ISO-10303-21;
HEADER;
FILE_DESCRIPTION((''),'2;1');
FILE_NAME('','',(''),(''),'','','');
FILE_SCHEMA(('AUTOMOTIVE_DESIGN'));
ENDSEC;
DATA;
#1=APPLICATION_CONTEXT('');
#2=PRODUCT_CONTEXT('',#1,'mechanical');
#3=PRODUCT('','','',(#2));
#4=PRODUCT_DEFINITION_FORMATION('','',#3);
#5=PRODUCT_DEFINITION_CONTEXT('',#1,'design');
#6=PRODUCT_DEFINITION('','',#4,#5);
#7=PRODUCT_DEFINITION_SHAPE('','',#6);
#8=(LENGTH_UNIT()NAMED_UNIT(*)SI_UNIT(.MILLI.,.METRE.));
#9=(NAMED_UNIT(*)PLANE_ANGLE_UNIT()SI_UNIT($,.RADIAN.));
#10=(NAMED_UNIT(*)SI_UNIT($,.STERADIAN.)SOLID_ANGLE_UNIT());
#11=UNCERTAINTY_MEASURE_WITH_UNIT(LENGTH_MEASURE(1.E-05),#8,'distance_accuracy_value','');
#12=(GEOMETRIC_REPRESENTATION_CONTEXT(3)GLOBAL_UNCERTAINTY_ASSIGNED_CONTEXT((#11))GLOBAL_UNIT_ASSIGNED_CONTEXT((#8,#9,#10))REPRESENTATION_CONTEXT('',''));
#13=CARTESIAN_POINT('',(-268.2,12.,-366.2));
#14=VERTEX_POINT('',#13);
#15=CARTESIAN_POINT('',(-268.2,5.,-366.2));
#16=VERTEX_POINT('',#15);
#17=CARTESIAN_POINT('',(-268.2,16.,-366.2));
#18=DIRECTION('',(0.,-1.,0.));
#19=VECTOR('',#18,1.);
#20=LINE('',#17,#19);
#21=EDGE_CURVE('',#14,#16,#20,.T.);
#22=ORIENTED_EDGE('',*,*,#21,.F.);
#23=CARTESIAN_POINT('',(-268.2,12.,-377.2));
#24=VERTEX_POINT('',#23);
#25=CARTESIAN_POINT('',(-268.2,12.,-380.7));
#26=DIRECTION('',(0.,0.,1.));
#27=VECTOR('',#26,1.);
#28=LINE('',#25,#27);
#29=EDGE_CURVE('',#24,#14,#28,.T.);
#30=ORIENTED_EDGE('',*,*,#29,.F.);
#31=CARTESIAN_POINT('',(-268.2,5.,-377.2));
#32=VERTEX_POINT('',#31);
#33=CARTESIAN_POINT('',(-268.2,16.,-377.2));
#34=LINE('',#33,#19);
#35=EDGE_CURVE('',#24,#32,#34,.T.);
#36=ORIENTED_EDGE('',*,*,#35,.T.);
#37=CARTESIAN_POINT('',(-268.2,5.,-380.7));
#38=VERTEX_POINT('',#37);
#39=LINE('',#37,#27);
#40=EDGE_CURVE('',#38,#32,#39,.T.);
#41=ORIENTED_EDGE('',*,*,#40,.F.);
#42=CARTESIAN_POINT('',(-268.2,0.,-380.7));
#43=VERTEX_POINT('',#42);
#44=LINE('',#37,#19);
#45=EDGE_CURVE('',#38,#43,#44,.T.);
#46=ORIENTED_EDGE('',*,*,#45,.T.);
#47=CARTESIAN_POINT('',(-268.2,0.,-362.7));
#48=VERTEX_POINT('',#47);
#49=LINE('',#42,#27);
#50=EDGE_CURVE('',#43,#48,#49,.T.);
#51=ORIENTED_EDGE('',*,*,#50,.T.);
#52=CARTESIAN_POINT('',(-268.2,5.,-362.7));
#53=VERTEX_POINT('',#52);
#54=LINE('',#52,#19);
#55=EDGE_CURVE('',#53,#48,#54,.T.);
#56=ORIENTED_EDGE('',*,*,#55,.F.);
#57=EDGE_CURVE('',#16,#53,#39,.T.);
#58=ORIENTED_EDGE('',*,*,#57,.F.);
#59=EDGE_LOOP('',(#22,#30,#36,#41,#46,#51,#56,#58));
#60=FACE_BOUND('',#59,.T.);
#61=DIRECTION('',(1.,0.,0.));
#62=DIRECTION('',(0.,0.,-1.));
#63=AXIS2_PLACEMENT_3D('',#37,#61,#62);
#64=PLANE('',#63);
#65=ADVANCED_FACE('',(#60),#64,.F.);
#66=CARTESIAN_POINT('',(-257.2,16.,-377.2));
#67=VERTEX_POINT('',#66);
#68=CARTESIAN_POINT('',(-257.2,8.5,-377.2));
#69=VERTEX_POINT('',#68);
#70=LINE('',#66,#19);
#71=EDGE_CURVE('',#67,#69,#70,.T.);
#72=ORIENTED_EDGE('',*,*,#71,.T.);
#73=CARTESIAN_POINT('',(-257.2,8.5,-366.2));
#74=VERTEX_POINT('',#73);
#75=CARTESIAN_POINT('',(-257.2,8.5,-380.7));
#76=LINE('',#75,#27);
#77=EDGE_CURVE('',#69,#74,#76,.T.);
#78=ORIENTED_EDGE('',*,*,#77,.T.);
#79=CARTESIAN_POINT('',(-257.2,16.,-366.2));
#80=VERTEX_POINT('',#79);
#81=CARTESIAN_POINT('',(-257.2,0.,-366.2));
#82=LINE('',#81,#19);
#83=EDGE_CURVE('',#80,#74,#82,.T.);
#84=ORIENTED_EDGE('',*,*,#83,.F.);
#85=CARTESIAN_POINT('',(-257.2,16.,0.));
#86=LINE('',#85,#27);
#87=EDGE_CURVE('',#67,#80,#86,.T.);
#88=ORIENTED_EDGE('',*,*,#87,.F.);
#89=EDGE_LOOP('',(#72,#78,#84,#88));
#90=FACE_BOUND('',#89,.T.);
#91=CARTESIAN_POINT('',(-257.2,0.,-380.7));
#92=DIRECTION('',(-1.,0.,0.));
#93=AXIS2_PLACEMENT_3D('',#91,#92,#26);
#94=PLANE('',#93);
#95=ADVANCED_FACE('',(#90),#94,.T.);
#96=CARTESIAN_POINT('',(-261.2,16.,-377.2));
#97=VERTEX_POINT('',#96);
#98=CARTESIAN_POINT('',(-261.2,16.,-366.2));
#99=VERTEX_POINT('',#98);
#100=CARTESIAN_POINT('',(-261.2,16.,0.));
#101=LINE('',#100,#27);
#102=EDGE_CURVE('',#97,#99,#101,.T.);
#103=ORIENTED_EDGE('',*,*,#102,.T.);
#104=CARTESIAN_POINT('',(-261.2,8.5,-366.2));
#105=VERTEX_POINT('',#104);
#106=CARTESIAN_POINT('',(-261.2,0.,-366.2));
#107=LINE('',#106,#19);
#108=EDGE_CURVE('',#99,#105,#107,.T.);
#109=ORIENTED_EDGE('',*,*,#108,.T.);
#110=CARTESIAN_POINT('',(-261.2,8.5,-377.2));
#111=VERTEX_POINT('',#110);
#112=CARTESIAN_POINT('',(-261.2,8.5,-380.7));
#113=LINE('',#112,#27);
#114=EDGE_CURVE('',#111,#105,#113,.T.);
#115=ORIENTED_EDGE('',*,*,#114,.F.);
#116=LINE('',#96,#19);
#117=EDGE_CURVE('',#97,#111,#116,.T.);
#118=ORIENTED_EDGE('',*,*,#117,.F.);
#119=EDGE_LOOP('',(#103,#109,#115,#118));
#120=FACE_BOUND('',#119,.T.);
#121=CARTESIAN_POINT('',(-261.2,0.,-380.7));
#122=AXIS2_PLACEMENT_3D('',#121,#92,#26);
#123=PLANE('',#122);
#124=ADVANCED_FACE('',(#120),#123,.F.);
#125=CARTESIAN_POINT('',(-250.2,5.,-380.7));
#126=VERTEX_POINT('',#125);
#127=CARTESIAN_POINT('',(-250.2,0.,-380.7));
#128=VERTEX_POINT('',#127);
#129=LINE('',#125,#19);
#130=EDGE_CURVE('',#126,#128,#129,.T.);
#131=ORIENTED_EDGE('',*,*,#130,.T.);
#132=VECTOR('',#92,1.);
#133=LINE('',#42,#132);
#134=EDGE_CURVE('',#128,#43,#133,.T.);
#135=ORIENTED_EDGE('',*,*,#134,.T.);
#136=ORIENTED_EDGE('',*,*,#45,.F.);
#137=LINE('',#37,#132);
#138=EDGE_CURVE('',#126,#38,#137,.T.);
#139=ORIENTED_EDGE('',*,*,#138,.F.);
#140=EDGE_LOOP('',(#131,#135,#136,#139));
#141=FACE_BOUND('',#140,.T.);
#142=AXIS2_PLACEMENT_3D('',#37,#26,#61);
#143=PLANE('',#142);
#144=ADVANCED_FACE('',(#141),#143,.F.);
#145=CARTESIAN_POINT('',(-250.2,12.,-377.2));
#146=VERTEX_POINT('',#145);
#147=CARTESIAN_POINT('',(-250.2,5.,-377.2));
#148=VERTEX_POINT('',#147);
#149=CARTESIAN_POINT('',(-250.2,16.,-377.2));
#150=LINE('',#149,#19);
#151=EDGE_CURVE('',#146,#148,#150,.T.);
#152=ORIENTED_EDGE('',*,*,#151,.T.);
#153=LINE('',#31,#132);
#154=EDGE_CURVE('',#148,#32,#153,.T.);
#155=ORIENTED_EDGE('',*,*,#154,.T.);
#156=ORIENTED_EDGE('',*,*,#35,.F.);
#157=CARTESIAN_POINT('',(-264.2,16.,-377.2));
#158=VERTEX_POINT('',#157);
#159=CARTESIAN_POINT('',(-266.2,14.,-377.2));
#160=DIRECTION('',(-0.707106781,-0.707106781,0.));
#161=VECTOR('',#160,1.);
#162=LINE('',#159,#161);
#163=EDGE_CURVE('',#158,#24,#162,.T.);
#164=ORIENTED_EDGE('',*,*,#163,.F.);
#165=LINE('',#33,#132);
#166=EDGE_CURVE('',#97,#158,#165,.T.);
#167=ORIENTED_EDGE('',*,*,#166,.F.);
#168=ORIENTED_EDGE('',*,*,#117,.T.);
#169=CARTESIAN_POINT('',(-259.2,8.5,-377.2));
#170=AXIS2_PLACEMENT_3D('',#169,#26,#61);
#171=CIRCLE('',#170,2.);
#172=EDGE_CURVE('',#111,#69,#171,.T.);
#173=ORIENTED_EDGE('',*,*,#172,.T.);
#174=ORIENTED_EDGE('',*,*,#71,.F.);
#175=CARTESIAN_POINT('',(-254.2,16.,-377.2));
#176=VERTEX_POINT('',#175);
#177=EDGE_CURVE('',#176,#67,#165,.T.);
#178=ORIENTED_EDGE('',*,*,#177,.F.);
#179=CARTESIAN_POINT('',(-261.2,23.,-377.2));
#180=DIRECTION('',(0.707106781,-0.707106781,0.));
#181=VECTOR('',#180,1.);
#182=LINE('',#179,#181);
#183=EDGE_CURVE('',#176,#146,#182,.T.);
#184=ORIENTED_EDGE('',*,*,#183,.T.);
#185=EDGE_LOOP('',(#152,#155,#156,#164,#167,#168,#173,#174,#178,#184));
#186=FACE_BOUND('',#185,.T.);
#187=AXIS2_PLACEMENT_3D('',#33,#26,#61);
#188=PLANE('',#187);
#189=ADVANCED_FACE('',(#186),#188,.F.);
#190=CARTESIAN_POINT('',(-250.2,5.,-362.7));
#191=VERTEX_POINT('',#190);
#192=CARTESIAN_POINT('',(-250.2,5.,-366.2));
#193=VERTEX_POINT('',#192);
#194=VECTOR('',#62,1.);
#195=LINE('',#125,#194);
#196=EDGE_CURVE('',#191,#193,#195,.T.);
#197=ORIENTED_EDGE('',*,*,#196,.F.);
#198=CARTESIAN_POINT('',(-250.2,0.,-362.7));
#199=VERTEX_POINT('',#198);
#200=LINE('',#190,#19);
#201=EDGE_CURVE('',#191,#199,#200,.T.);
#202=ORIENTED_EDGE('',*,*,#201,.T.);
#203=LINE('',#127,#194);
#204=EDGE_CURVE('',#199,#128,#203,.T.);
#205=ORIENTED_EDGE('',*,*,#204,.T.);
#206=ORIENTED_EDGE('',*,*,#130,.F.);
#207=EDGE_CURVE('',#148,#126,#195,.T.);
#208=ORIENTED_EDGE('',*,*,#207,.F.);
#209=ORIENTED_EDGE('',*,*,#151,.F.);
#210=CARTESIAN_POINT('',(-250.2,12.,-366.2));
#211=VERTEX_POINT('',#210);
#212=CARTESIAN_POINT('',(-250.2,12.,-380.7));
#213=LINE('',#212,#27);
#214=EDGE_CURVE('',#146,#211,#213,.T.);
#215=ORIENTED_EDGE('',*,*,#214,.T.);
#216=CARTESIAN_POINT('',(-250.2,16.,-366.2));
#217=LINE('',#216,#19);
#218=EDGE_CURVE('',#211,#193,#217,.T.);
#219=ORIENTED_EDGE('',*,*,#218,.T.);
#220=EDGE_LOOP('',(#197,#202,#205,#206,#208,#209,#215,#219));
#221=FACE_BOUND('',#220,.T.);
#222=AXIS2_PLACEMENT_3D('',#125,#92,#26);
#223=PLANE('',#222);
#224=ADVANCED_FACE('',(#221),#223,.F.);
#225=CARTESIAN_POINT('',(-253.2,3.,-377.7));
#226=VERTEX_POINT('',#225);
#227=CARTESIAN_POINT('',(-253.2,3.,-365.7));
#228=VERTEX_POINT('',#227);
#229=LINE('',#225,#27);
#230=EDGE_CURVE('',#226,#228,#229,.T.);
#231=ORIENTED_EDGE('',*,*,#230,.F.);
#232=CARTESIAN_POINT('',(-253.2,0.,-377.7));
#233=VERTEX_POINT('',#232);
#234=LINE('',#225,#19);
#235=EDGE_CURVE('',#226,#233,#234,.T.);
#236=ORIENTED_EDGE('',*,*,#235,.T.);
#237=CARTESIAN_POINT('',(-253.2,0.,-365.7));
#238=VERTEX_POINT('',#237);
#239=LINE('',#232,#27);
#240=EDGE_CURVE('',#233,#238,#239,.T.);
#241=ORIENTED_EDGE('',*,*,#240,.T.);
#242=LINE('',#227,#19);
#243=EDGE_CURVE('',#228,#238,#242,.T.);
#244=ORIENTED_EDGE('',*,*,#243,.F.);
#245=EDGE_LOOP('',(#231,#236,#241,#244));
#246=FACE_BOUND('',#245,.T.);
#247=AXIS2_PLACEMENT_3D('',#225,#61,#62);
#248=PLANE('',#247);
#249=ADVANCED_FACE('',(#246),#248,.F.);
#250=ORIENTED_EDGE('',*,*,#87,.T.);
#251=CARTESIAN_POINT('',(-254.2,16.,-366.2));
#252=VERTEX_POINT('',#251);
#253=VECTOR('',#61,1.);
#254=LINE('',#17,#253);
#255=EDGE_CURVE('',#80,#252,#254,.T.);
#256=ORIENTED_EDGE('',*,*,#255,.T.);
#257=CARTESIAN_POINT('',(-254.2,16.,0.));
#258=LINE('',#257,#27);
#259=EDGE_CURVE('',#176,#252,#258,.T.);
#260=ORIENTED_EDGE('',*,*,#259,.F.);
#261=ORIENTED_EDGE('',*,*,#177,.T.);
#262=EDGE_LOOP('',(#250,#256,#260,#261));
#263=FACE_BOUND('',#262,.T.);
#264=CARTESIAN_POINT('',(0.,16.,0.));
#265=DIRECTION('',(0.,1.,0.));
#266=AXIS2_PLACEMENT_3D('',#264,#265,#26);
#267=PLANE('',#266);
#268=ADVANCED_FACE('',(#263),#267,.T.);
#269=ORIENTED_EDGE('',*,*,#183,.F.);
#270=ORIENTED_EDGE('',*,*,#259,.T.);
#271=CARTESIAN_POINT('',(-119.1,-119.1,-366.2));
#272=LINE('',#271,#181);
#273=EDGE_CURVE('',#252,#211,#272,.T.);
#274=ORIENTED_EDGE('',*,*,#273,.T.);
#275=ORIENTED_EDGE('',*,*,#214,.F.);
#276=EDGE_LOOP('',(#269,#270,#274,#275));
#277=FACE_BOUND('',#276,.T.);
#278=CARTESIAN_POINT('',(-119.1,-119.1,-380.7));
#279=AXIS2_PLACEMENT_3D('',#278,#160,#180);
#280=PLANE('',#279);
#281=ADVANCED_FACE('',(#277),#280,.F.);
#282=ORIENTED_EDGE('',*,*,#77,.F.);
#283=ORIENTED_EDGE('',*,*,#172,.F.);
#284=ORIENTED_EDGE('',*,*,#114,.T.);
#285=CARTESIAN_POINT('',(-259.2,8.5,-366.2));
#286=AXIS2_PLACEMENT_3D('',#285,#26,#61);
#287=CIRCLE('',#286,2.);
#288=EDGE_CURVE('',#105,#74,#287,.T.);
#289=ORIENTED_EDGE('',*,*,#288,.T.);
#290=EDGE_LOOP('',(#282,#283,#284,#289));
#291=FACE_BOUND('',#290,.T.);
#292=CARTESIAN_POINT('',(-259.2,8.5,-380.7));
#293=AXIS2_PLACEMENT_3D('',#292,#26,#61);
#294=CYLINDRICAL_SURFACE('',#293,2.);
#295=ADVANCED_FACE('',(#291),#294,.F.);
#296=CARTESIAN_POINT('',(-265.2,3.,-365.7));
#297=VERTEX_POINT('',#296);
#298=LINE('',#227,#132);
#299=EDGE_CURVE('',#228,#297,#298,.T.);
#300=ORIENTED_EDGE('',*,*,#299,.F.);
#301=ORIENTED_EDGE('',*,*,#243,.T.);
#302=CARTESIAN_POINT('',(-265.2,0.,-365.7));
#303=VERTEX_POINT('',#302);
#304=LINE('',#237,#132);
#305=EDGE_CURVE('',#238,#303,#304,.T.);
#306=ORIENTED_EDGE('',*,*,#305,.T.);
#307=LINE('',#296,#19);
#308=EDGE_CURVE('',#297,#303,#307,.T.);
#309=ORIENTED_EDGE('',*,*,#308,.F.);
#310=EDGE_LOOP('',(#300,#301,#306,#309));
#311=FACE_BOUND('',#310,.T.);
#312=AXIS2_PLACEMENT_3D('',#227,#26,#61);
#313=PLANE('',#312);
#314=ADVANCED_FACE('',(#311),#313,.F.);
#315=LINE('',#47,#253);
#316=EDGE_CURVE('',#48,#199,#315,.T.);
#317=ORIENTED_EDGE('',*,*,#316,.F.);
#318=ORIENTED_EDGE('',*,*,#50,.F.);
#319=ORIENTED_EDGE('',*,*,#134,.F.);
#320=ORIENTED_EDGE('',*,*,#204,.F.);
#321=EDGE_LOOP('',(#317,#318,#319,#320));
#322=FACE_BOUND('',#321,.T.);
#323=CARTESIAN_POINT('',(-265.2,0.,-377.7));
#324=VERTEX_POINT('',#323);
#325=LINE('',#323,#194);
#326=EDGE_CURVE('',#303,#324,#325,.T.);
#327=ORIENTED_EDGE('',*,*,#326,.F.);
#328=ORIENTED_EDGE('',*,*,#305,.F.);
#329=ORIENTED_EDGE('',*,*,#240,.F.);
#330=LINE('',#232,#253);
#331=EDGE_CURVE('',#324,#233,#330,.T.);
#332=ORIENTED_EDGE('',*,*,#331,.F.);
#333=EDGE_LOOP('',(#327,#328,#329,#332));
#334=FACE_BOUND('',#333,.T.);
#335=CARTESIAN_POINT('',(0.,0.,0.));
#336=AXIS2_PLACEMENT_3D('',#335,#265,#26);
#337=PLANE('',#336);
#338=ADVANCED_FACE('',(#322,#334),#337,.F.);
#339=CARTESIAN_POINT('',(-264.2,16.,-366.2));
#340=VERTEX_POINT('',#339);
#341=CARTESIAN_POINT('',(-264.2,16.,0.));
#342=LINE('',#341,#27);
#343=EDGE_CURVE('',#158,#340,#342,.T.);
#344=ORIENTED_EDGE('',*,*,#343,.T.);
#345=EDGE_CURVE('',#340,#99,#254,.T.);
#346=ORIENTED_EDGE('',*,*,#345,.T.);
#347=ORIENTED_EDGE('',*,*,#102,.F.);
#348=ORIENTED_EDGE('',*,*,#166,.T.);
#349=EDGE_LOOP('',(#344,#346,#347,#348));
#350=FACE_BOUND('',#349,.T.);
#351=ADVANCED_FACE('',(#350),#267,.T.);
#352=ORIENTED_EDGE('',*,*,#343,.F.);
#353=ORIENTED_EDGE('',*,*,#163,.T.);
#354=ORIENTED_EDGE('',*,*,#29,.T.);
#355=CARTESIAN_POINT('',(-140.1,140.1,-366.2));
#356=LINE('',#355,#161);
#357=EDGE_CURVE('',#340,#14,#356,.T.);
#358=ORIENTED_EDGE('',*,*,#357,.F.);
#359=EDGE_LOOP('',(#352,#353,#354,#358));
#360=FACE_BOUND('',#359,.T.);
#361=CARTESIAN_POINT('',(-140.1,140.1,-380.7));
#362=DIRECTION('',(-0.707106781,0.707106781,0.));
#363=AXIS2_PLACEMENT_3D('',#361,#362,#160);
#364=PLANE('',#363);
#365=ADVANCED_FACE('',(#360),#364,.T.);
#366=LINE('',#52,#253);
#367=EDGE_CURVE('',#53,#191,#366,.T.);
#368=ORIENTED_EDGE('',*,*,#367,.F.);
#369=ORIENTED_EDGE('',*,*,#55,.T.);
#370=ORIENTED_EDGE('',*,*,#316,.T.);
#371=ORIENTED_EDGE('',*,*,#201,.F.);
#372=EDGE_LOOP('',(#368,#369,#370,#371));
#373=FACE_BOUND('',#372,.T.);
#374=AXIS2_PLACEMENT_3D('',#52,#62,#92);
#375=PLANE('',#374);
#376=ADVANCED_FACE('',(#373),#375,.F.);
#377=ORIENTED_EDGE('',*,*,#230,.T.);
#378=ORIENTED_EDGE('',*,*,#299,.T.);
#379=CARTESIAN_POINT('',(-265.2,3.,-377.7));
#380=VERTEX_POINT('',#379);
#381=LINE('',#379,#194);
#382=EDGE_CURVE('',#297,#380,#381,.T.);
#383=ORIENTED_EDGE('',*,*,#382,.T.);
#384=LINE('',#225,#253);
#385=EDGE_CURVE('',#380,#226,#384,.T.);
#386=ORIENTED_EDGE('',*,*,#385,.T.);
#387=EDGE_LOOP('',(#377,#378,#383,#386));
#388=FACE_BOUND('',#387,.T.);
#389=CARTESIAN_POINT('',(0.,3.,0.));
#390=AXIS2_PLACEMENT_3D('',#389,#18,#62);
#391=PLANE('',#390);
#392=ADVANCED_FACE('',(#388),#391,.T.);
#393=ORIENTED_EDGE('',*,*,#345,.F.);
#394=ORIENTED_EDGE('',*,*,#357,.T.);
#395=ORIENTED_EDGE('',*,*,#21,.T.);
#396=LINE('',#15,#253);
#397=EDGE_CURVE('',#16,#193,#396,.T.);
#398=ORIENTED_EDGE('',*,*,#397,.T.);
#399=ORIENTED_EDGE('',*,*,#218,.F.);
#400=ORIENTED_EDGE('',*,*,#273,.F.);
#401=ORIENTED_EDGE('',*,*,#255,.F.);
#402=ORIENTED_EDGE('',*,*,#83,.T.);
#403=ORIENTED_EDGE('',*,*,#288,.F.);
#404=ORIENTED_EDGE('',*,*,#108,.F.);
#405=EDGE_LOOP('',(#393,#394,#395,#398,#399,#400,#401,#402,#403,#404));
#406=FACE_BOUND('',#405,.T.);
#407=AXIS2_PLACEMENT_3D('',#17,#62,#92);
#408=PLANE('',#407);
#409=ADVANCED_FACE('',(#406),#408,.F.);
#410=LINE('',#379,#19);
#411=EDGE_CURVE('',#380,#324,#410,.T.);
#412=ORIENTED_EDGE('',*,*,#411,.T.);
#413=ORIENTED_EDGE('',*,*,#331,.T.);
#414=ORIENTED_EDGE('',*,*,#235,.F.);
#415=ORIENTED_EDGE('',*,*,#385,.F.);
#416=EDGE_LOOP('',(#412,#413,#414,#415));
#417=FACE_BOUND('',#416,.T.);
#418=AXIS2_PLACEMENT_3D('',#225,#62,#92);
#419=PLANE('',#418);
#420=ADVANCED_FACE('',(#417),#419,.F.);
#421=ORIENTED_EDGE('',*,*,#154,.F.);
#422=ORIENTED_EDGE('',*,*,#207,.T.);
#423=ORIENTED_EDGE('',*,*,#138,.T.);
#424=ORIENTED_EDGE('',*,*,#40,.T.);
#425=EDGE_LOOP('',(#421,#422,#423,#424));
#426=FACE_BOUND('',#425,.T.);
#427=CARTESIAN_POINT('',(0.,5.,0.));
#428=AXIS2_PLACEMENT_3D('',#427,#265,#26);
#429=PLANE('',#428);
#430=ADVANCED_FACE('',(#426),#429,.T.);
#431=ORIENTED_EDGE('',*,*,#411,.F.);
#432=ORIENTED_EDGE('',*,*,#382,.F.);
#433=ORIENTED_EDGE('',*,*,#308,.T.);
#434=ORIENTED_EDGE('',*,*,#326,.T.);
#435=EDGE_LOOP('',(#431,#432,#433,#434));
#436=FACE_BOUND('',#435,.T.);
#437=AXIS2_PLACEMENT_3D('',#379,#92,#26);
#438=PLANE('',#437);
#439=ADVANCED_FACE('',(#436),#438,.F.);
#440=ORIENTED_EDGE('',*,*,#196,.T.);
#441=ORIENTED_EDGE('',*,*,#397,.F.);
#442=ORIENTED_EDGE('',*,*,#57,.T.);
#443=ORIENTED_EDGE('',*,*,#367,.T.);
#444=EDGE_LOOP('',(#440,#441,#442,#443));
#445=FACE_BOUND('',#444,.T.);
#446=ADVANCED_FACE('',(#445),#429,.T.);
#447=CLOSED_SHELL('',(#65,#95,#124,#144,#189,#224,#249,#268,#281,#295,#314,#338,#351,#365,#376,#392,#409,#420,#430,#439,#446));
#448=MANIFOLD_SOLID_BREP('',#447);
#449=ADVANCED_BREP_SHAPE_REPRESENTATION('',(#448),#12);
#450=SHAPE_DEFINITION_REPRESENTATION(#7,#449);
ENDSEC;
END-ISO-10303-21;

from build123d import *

# Parameters (mm, degrees)
SKETCH1_W           = 18
SKETCH1_H           = 18
BOSS_EXTRUDE1_DEPTH = 5
SKETCH4_W           = 12
SKETCH4_H           = 12
CUT_EXTRUDE1_DEPTH  = 3
SKETCH5_W           = 18
SKETCH5_H           = 11
BOSS_EXTRUDE2_DEPTH = 11
CUT_EXTRUDE2_DEPTH  = 15.5


with BuildPart() as part:
    # Sketch1 → Boss-Extrude1 (new body)
    with BuildSketch(Plane(origin=(0, 0, 0), x_dir=(1, 0, 0), z_dir=(0, 1, 0))):
        with Locations((-259.2, 371.7)):
            Rectangle(SKETCH1_W, SKETCH1_H)
    extrude(amount=BOSS_EXTRUDE1_DEPTH)

    # Sketch4 → Cut-Extrude1 (cut)
    with BuildSketch(Plane.XZ):
        with Locations((-259.2, -371.7)):
            Rectangle(SKETCH4_W, SKETCH4_H)
    extrude(amount=-CUT_EXTRUDE1_DEPTH, mode=Mode.SUBTRACT)

    # Sketch5 → Boss-Extrude2 (add)
    with BuildSketch(Plane(origin=(0, 5, 0), x_dir=(1, 0, 0), z_dir=(0, 1, 0))):
        with Locations((-259.2, 371.7)):
            Rectangle(SKETCH5_W, SKETCH5_H)
    extrude(amount=BOSS_EXTRUDE2_DEPTH)

    # Sketch7 → Cut-Extrude2 (cut, through all)
    with BuildSketch(Plane.XY.offset(-366.2)):
        with BuildLine():
            ThreePointArc((-261.2, 8.5), (-259.2, 6.5), (-257.2, 8.5))
            Line((-257.2, 8.5), (-261.2, 8.5))
        make_face()
        with BuildLine():
            Line((-261.2, 8.5), (-257.2, 8.5))
            ThreePointArc((-257.2, 8.5), (-259.2, 10.5), (-261.2, 8.5))
        make_face()
        with BuildLine():
            Line((-257.2, 16), (-259.2, 16))
            Line((-259.2, 16), (-261.2, 16))
            Line((-261.2, 16), (-261.2, 8.5))
            ThreePointArc((-261.2, 8.5), (-259.2, 10.5), (-257.2, 8.5))
            Line((-257.2, 8.5), (-257.2, 16))
        make_face()
        Polygon((-250.2, 16), (-254.2, 16), (-250.2, 12), align=None)
        Polygon((-268.2, 12), (-264.2, 16), (-268.2, 16), align=None)
    extrude(amount=-CUT_EXTRUDE2_DEPTH, mode=Mode.SUBTRACT)


solid = part.part
